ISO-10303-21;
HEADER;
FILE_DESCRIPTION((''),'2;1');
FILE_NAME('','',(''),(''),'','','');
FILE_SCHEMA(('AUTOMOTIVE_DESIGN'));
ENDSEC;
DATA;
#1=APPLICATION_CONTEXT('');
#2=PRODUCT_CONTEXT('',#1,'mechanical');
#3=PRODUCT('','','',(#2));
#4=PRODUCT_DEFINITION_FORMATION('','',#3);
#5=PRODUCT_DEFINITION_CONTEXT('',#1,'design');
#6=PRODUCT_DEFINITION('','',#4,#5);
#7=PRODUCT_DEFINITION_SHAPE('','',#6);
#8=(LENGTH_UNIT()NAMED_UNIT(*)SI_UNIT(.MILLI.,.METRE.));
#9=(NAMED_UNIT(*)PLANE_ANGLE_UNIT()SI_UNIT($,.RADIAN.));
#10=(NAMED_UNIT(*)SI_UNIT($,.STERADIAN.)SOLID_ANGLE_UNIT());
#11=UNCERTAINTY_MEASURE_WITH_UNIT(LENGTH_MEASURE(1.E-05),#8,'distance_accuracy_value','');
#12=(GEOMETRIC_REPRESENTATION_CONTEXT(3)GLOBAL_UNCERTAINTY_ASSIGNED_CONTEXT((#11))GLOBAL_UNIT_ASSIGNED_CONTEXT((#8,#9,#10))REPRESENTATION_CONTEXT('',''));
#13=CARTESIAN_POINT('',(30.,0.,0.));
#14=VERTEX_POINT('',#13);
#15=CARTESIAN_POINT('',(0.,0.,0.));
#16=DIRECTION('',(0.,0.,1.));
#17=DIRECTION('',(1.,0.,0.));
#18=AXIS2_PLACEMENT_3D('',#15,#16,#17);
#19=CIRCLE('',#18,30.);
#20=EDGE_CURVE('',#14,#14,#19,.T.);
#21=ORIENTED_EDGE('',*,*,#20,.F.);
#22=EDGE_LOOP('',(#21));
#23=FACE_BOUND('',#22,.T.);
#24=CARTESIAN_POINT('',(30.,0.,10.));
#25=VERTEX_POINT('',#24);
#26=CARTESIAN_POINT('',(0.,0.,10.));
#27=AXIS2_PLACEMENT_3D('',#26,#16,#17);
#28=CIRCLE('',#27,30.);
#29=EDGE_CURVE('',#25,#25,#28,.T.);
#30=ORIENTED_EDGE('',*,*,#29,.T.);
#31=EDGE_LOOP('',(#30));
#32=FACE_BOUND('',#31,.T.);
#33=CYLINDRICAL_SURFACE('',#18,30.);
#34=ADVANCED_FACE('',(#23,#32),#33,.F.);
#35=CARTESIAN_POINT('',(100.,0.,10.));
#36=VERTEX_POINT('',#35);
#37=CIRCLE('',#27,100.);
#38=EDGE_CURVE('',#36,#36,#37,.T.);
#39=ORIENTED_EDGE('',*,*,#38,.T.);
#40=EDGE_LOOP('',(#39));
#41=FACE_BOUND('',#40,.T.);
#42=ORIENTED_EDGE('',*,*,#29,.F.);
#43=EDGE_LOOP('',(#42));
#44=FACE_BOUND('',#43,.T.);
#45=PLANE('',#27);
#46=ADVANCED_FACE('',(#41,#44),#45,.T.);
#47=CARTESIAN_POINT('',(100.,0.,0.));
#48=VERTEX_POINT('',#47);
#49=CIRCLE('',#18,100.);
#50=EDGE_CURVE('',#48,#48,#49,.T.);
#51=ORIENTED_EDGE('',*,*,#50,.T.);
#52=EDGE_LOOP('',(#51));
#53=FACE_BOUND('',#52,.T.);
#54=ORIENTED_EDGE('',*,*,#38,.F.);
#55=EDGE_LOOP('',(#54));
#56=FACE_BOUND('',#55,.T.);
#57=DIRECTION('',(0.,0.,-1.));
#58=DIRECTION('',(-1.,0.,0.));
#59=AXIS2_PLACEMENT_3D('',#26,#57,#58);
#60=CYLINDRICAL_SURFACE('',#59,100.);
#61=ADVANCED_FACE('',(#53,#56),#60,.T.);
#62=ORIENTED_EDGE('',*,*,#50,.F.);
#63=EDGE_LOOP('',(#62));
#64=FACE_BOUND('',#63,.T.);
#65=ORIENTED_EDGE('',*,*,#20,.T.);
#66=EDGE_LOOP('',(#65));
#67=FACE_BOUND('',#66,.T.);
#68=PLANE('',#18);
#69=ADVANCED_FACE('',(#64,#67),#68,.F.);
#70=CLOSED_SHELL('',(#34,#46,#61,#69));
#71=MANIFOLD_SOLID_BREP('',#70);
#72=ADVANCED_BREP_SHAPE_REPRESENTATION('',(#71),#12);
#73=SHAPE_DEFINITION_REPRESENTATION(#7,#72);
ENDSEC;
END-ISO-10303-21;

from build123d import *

# Parameters (mm, degrees)
SKETCH4_R           = 100
BOSS_EXTRUDE1_DEPTH = 10
SKETCH5_R           = 30
CUT_EXTRUDE1_DEPTH  = 10


with BuildPart() as part:
    # Sketch4 → Boss-Extrude1 (new body)
    with BuildSketch(Plane.XY):
        Circle(SKETCH4_R)
    extrude(amount=BOSS_EXTRUDE1_DEPTH)

    # Sketch5 → Cut-Extrude1 (cut)
    with BuildSketch(Plane.XY.offset(10)):
        Circle(SKETCH5_R)
    extrude(amount=-CUT_EXTRUDE1_DEPTH, mode=Mode.SUBTRACT)


solid = part.part
